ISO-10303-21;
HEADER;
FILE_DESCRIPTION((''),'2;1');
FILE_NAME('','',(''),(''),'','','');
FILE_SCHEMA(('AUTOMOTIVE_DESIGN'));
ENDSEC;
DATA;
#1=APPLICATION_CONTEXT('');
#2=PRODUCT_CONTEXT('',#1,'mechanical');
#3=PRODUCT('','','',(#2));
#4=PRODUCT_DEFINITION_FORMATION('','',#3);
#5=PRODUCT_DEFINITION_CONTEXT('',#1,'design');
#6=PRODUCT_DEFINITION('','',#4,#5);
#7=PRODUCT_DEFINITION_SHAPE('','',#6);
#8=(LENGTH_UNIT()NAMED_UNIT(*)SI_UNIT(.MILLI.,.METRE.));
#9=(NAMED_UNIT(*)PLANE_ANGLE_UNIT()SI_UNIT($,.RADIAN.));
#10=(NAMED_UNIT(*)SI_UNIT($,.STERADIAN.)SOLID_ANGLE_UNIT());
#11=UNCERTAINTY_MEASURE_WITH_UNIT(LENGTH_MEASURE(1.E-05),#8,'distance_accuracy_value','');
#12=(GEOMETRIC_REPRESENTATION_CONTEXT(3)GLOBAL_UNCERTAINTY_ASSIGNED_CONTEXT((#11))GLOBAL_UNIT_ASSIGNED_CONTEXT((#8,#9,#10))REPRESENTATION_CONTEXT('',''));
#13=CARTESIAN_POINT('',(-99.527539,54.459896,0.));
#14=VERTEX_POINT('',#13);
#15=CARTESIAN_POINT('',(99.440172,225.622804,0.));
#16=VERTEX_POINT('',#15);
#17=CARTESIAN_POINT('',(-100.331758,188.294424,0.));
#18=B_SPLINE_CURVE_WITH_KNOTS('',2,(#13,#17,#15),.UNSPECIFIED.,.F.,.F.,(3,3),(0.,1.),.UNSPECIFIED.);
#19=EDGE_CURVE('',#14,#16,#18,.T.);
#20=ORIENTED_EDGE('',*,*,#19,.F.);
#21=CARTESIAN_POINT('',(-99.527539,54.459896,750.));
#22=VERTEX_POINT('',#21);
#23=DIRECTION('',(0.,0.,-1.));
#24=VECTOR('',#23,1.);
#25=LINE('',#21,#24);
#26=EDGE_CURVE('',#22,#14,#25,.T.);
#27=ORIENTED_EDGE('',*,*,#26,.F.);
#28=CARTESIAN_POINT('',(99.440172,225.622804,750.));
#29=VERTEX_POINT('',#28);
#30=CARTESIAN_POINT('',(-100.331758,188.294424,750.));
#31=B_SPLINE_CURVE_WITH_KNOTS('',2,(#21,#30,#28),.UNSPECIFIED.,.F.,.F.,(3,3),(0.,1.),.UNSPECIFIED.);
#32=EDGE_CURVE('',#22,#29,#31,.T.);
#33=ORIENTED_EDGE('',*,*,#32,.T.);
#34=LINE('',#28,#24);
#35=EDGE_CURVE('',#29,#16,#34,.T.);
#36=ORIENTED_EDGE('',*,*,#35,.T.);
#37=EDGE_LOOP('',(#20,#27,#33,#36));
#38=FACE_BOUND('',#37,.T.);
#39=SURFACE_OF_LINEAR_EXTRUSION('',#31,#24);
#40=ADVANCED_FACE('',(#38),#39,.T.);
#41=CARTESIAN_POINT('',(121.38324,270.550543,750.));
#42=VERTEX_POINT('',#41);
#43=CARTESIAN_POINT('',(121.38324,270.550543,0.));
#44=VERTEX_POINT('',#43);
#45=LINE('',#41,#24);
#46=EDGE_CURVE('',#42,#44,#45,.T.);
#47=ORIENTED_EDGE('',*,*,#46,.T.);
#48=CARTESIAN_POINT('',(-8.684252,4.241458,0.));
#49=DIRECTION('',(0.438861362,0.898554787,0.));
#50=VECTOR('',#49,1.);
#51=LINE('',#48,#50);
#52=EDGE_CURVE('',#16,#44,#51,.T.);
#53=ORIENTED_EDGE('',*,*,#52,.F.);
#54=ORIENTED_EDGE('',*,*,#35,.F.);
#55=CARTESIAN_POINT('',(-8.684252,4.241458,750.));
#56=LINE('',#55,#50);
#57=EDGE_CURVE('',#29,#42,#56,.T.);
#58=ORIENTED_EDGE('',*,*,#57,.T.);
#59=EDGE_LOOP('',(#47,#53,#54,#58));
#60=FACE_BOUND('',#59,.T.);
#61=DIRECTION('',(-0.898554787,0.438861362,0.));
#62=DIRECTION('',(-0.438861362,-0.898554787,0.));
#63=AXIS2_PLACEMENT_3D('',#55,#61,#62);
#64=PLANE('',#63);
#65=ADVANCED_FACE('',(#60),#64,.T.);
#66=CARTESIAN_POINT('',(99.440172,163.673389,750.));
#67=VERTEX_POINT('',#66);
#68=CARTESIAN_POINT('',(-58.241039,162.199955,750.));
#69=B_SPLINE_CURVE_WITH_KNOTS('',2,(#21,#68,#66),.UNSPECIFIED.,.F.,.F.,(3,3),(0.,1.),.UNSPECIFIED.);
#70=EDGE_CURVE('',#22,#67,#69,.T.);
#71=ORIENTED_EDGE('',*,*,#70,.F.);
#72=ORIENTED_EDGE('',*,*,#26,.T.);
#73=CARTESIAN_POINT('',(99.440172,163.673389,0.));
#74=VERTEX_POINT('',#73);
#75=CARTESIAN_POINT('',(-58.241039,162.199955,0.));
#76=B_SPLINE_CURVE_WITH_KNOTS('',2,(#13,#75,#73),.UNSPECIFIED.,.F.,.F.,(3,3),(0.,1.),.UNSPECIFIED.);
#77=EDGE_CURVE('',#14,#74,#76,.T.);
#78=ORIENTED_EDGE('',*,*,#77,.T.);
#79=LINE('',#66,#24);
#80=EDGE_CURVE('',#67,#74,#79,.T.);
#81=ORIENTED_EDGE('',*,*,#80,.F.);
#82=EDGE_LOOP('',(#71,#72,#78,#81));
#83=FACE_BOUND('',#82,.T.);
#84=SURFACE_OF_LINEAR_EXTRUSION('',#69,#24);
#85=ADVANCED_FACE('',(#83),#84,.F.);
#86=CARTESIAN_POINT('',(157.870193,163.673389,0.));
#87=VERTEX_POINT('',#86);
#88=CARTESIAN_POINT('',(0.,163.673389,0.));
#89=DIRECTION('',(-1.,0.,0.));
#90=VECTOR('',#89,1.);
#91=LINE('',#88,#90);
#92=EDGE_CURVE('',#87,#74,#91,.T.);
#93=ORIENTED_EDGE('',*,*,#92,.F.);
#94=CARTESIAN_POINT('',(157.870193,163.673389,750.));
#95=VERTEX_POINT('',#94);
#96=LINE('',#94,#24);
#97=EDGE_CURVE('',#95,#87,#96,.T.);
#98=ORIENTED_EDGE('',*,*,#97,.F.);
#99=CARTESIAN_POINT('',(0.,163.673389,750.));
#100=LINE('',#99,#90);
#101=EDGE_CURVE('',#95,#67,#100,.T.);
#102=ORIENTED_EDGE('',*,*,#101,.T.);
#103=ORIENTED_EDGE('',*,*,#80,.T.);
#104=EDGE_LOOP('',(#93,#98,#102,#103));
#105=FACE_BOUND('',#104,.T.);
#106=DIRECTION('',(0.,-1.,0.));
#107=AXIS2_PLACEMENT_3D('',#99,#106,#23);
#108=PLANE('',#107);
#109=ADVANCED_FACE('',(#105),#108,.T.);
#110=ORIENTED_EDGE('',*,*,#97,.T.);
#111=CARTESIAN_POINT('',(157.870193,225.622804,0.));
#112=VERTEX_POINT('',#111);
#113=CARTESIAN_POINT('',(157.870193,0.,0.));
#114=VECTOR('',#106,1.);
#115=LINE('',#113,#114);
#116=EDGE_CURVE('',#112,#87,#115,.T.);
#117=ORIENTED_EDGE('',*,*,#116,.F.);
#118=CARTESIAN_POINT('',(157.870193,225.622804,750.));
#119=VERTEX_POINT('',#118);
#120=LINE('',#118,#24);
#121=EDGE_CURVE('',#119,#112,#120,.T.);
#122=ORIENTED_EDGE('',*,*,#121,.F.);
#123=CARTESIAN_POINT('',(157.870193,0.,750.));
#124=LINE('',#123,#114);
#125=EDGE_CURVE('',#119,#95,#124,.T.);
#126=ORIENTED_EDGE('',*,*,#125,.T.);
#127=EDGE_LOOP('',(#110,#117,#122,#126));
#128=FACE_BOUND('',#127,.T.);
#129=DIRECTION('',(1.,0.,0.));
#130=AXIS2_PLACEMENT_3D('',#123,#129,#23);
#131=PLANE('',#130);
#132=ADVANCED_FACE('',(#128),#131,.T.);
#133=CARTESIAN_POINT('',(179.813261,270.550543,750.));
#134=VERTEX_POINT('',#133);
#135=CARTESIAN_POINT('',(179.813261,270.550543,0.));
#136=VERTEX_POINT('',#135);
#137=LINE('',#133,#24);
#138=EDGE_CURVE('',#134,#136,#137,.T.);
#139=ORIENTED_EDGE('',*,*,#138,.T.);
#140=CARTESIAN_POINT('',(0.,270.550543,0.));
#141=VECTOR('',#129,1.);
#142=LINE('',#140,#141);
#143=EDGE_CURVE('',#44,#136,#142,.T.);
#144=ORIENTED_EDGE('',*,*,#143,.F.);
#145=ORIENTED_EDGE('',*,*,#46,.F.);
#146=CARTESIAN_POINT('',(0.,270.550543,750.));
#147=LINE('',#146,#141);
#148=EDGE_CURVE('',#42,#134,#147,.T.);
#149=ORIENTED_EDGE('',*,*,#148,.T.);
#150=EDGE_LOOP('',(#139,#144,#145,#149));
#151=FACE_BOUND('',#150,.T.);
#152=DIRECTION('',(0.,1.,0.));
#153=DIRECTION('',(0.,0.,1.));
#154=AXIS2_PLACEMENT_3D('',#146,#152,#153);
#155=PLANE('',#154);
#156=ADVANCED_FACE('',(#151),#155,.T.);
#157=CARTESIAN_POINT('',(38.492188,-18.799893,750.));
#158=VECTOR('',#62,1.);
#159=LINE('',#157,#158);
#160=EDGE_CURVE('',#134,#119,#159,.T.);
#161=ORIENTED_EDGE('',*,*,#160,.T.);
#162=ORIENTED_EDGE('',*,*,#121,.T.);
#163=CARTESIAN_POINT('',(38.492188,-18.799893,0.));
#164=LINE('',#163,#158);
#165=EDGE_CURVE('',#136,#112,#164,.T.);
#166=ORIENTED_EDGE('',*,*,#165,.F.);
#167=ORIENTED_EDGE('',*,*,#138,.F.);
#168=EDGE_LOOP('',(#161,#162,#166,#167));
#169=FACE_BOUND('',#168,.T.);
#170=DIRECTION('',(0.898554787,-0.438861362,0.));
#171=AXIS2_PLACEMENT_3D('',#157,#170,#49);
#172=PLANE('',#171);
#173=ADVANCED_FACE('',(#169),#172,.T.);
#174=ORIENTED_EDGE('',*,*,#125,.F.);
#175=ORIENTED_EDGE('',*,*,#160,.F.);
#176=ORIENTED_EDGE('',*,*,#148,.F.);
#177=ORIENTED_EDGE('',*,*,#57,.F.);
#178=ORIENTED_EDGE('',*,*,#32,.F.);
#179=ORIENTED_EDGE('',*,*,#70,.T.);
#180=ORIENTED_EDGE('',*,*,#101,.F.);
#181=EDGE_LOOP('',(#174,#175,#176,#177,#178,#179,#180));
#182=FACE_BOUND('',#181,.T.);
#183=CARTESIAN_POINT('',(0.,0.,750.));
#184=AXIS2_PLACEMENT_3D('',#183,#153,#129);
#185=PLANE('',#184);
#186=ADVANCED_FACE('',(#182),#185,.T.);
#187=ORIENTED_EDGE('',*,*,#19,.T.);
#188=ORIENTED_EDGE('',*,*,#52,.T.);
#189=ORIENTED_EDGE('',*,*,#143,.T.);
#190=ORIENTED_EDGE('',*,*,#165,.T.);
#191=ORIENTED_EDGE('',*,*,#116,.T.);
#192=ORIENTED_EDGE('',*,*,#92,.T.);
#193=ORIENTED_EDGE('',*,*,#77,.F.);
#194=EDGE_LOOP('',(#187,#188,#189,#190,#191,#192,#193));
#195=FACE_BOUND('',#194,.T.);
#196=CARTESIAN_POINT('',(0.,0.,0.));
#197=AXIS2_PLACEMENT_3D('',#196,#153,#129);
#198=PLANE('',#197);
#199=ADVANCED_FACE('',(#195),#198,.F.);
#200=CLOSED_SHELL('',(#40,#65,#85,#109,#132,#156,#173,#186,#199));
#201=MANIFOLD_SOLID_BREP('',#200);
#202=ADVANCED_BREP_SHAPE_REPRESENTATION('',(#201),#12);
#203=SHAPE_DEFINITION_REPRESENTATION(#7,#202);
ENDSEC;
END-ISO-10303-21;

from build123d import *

# Parameters (mm, degrees)
SKETCH1_W           = 58.430021541
SKETCH1_H           = 61.949414885
BOSS_EXTRUDE1_DEPTH = 750


with BuildPart() as part:
    # Sketch1 → Boss-Extrude1 (new body)
    with BuildSketch(Plane.XY):
        with BuildLine():
            add(Edge.make_bspline(
                [(-99.527538728, 54.459896253), (-100.331758171, 188.294424486), (99.44017176, 225.622803561)],
                knots=[0, 0, 0, 1, 1, 1], degree=2))
            Line((99.44017176, 225.622803561), (99.44017176, 163.673388676))
            add(Edge.make_bspline(
                [(-99.527538728, 54.459896253), (-58.241038514, 162.199954542), (99.44017176, 163.673388676)],
                knots=[0, 0, 0, 1, 1, 1], degree=2))
        make_face()
        with Locations((128.655182531, 194.648096119)):
            Rectangle(SKETCH1_W, SKETCH1_H)
        Polygon((99.44017176, 225.622803561), (121.383239857, 270.550542905), (179.813261398, 270.550542905), (157.870193301, 225.622803561), align=None)
    extrude(amount=BOSS_EXTRUDE1_DEPTH)


solid = part.part
